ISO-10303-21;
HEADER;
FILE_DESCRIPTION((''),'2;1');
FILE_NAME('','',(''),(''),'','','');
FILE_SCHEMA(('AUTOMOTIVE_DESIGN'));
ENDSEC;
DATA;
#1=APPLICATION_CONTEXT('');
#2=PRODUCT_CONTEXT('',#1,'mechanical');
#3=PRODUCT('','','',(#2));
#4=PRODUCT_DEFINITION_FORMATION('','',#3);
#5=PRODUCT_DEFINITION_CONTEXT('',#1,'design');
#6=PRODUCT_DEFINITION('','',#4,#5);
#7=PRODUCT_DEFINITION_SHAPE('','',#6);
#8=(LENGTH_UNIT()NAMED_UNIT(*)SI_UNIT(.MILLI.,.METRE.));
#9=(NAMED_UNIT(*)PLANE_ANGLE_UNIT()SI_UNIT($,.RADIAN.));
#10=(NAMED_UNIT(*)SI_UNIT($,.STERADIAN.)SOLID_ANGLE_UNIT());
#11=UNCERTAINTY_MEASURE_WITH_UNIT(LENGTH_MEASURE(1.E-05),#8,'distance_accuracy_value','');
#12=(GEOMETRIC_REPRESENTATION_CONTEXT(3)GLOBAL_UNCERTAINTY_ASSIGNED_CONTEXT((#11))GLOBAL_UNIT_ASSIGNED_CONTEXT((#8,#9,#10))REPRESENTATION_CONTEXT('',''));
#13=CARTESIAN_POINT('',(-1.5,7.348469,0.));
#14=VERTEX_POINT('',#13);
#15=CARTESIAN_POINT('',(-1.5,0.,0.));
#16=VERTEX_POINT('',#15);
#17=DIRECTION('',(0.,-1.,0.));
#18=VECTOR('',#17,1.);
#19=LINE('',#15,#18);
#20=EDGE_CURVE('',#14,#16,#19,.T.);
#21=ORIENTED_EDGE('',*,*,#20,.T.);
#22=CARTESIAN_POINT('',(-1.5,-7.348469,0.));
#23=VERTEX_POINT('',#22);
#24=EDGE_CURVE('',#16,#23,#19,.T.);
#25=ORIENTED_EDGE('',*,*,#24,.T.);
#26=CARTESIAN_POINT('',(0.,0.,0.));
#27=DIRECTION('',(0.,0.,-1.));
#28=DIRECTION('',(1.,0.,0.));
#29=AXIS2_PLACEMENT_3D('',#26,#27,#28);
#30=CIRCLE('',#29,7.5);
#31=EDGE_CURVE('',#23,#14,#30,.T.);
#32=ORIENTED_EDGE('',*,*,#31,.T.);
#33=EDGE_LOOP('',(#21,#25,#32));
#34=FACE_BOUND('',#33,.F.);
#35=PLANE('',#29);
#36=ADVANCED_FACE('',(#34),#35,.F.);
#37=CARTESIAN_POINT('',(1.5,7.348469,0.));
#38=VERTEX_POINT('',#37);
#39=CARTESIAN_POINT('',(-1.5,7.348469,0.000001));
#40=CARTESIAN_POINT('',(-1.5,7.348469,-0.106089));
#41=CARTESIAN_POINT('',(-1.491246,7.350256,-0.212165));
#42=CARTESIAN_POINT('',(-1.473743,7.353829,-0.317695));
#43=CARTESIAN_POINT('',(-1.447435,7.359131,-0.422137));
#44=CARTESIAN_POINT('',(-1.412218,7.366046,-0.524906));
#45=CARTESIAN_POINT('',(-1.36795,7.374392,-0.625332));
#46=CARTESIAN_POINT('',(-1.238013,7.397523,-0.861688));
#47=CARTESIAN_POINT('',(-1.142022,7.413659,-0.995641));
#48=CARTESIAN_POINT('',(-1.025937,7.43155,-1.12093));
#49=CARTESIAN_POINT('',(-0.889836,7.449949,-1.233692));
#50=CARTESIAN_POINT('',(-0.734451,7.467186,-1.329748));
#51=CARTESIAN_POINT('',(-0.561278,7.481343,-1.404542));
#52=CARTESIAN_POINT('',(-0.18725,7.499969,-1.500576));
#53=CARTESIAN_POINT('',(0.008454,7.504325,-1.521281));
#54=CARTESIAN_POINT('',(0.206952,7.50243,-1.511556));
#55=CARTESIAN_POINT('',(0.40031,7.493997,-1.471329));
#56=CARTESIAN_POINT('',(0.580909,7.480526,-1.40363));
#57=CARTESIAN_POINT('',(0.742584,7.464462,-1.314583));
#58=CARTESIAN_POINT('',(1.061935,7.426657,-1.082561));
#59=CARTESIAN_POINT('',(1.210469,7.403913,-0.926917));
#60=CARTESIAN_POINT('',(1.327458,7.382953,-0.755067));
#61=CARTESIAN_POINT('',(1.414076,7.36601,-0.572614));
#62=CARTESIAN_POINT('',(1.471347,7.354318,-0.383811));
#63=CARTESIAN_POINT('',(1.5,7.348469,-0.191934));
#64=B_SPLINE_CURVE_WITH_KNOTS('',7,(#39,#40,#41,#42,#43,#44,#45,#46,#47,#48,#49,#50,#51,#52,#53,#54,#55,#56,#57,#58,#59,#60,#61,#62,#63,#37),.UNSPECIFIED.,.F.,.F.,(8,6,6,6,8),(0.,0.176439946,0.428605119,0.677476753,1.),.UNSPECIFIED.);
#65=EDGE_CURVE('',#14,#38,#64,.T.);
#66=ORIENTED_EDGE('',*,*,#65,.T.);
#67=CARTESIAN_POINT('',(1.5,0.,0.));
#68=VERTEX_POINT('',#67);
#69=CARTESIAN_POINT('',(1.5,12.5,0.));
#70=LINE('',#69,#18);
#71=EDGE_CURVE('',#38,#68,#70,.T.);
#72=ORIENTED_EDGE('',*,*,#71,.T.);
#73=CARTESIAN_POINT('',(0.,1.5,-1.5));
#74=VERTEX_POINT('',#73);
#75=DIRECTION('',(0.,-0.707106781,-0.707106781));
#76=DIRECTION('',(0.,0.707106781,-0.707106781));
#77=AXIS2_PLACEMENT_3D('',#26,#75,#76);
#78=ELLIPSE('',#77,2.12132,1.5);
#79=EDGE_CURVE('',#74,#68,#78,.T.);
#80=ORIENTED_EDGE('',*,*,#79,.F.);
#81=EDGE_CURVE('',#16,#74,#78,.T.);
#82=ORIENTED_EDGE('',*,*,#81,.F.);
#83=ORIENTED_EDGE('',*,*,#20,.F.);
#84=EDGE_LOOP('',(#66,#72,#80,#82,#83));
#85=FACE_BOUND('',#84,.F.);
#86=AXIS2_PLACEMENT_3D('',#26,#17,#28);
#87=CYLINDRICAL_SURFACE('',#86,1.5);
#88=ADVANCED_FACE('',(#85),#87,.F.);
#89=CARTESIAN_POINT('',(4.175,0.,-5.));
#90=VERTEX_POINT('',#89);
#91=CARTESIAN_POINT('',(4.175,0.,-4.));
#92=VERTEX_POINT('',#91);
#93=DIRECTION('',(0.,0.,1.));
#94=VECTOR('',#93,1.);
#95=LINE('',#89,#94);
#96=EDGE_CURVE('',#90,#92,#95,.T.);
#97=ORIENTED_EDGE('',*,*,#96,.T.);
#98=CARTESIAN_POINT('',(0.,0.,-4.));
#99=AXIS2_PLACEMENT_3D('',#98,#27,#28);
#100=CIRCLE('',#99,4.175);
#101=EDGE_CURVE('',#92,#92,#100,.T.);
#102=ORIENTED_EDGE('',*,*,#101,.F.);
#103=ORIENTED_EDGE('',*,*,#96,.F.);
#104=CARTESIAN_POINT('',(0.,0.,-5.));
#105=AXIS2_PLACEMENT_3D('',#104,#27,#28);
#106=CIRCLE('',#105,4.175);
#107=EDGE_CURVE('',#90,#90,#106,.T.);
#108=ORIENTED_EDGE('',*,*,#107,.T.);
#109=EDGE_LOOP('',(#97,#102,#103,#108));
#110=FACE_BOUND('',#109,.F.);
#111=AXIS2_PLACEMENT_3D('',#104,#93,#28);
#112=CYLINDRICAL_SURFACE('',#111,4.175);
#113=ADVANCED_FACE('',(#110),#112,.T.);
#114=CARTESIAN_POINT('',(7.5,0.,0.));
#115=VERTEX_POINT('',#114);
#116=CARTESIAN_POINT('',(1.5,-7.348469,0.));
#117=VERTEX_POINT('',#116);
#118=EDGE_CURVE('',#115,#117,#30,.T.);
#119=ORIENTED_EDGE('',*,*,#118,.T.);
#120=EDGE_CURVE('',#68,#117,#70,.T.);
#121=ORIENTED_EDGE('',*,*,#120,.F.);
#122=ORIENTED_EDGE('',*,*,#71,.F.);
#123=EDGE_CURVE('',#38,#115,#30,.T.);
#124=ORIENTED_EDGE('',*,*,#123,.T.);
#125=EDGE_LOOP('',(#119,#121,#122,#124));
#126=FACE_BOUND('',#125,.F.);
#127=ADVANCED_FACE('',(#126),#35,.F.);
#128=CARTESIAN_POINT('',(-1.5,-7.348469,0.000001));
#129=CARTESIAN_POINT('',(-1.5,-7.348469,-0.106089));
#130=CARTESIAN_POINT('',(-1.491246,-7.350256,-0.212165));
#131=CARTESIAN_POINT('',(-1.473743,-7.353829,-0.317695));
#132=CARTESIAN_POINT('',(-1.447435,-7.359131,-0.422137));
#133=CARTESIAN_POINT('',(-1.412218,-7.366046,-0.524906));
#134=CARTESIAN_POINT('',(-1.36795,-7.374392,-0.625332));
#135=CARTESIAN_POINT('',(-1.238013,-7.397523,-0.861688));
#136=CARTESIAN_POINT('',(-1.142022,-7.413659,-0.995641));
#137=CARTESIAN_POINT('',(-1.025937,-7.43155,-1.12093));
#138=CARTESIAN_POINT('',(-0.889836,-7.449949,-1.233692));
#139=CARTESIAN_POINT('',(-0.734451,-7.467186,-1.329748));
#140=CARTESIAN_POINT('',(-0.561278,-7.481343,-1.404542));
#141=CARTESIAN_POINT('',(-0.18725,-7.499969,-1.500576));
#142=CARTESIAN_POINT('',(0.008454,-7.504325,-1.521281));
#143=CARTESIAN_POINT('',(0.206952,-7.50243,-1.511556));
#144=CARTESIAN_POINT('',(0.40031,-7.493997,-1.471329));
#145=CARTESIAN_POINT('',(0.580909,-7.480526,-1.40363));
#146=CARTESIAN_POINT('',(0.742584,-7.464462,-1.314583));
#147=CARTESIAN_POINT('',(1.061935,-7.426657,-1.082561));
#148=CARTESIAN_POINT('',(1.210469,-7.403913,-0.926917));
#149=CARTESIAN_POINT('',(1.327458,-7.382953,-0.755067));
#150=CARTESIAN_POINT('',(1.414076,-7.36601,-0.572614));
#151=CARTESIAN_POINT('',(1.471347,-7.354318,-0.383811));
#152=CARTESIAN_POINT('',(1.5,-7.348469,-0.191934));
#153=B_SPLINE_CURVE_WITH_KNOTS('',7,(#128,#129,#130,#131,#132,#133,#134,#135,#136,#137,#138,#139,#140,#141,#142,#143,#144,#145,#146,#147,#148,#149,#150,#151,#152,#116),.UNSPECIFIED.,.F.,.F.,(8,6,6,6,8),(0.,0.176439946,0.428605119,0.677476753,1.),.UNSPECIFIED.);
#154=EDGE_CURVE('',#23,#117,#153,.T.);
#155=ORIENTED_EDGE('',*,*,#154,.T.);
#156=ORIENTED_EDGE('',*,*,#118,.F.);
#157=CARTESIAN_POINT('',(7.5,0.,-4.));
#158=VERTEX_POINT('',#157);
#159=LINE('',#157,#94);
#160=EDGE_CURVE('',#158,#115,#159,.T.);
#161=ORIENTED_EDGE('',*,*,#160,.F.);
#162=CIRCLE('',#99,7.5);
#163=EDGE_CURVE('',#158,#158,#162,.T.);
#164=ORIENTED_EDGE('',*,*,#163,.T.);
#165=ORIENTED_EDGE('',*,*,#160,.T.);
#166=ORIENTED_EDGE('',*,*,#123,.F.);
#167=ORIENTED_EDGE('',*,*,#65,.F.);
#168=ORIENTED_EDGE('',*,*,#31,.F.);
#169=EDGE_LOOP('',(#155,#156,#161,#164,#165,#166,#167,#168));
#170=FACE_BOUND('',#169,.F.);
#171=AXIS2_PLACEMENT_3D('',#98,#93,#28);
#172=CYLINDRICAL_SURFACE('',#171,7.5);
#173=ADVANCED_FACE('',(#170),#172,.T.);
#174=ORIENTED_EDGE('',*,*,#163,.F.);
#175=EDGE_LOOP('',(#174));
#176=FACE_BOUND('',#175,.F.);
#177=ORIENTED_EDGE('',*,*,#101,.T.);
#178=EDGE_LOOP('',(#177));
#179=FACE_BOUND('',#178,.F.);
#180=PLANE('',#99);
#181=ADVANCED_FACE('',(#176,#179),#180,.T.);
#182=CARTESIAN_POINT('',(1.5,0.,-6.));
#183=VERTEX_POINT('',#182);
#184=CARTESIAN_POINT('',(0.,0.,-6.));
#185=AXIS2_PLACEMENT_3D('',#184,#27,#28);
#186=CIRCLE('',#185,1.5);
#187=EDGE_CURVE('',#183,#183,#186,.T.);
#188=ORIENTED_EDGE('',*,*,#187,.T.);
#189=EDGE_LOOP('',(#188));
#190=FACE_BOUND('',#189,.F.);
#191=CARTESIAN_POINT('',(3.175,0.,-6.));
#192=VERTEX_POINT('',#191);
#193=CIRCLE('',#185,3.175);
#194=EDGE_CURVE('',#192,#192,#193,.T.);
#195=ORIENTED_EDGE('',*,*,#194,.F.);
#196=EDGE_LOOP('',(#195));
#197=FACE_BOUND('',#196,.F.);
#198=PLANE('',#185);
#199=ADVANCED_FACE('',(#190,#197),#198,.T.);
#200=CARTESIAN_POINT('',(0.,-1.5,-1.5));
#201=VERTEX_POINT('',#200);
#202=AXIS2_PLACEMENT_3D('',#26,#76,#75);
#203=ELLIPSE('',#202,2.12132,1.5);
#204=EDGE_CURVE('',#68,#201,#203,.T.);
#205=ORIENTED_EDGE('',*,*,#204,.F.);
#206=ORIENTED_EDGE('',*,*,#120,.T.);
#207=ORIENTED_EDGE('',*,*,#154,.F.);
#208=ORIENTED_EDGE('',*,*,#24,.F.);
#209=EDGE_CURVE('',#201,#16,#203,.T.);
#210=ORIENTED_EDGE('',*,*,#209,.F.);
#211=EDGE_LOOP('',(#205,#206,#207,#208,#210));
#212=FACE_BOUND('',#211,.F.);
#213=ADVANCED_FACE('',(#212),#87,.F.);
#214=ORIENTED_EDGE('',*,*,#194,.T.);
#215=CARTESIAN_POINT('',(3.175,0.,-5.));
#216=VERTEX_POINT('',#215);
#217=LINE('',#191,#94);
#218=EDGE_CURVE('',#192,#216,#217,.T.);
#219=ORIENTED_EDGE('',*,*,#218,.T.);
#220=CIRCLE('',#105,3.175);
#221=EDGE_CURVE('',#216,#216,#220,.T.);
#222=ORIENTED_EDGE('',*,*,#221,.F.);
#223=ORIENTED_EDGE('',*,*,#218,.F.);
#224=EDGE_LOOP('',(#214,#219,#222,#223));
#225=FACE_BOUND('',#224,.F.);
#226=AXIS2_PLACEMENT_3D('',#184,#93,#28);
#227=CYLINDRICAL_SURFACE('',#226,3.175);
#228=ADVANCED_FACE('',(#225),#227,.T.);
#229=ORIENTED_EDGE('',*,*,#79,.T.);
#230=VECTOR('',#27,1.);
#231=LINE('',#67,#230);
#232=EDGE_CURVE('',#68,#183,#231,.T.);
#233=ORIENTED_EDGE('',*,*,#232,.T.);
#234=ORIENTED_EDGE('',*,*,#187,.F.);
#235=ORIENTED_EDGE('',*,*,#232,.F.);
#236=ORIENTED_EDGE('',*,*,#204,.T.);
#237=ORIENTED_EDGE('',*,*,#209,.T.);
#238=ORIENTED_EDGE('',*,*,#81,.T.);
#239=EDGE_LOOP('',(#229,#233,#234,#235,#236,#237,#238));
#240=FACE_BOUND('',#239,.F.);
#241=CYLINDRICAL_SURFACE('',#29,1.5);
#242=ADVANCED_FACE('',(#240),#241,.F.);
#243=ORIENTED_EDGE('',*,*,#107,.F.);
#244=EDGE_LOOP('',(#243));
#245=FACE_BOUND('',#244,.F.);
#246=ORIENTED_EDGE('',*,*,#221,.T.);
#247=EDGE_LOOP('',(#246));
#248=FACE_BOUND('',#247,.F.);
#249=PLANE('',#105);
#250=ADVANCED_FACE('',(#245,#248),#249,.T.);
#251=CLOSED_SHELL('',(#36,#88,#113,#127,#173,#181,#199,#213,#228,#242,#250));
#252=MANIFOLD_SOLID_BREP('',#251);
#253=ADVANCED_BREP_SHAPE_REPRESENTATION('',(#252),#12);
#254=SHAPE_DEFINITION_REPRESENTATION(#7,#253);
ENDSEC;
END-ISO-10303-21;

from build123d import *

# Parameters (mm, degrees)
F3_R     = 1.5
F4_DEPTH = 12.5


with BuildPart() as f2:
    # F0 (on Front) → F2 (revolve)
    with BuildSketch(Plane.XZ):
        Polygon((7.5, 0), (1.5, 0), (1.5, -6), (3.175, -6), (3.175, -5), (4.175, -5), (4.175, -4), (7.5, -4), align=None)
    revolve(axis=Axis((0, 0, -5.151412), (0, 0, -1)))

    # F3 (on Front) → F4 (cut, symmetric)
    with BuildSketch(Plane.XZ):
        Circle(F3_R)
    extrude(amount=F4_DEPTH, both=True, mode=Mode.SUBTRACT)


solid = f2.part
